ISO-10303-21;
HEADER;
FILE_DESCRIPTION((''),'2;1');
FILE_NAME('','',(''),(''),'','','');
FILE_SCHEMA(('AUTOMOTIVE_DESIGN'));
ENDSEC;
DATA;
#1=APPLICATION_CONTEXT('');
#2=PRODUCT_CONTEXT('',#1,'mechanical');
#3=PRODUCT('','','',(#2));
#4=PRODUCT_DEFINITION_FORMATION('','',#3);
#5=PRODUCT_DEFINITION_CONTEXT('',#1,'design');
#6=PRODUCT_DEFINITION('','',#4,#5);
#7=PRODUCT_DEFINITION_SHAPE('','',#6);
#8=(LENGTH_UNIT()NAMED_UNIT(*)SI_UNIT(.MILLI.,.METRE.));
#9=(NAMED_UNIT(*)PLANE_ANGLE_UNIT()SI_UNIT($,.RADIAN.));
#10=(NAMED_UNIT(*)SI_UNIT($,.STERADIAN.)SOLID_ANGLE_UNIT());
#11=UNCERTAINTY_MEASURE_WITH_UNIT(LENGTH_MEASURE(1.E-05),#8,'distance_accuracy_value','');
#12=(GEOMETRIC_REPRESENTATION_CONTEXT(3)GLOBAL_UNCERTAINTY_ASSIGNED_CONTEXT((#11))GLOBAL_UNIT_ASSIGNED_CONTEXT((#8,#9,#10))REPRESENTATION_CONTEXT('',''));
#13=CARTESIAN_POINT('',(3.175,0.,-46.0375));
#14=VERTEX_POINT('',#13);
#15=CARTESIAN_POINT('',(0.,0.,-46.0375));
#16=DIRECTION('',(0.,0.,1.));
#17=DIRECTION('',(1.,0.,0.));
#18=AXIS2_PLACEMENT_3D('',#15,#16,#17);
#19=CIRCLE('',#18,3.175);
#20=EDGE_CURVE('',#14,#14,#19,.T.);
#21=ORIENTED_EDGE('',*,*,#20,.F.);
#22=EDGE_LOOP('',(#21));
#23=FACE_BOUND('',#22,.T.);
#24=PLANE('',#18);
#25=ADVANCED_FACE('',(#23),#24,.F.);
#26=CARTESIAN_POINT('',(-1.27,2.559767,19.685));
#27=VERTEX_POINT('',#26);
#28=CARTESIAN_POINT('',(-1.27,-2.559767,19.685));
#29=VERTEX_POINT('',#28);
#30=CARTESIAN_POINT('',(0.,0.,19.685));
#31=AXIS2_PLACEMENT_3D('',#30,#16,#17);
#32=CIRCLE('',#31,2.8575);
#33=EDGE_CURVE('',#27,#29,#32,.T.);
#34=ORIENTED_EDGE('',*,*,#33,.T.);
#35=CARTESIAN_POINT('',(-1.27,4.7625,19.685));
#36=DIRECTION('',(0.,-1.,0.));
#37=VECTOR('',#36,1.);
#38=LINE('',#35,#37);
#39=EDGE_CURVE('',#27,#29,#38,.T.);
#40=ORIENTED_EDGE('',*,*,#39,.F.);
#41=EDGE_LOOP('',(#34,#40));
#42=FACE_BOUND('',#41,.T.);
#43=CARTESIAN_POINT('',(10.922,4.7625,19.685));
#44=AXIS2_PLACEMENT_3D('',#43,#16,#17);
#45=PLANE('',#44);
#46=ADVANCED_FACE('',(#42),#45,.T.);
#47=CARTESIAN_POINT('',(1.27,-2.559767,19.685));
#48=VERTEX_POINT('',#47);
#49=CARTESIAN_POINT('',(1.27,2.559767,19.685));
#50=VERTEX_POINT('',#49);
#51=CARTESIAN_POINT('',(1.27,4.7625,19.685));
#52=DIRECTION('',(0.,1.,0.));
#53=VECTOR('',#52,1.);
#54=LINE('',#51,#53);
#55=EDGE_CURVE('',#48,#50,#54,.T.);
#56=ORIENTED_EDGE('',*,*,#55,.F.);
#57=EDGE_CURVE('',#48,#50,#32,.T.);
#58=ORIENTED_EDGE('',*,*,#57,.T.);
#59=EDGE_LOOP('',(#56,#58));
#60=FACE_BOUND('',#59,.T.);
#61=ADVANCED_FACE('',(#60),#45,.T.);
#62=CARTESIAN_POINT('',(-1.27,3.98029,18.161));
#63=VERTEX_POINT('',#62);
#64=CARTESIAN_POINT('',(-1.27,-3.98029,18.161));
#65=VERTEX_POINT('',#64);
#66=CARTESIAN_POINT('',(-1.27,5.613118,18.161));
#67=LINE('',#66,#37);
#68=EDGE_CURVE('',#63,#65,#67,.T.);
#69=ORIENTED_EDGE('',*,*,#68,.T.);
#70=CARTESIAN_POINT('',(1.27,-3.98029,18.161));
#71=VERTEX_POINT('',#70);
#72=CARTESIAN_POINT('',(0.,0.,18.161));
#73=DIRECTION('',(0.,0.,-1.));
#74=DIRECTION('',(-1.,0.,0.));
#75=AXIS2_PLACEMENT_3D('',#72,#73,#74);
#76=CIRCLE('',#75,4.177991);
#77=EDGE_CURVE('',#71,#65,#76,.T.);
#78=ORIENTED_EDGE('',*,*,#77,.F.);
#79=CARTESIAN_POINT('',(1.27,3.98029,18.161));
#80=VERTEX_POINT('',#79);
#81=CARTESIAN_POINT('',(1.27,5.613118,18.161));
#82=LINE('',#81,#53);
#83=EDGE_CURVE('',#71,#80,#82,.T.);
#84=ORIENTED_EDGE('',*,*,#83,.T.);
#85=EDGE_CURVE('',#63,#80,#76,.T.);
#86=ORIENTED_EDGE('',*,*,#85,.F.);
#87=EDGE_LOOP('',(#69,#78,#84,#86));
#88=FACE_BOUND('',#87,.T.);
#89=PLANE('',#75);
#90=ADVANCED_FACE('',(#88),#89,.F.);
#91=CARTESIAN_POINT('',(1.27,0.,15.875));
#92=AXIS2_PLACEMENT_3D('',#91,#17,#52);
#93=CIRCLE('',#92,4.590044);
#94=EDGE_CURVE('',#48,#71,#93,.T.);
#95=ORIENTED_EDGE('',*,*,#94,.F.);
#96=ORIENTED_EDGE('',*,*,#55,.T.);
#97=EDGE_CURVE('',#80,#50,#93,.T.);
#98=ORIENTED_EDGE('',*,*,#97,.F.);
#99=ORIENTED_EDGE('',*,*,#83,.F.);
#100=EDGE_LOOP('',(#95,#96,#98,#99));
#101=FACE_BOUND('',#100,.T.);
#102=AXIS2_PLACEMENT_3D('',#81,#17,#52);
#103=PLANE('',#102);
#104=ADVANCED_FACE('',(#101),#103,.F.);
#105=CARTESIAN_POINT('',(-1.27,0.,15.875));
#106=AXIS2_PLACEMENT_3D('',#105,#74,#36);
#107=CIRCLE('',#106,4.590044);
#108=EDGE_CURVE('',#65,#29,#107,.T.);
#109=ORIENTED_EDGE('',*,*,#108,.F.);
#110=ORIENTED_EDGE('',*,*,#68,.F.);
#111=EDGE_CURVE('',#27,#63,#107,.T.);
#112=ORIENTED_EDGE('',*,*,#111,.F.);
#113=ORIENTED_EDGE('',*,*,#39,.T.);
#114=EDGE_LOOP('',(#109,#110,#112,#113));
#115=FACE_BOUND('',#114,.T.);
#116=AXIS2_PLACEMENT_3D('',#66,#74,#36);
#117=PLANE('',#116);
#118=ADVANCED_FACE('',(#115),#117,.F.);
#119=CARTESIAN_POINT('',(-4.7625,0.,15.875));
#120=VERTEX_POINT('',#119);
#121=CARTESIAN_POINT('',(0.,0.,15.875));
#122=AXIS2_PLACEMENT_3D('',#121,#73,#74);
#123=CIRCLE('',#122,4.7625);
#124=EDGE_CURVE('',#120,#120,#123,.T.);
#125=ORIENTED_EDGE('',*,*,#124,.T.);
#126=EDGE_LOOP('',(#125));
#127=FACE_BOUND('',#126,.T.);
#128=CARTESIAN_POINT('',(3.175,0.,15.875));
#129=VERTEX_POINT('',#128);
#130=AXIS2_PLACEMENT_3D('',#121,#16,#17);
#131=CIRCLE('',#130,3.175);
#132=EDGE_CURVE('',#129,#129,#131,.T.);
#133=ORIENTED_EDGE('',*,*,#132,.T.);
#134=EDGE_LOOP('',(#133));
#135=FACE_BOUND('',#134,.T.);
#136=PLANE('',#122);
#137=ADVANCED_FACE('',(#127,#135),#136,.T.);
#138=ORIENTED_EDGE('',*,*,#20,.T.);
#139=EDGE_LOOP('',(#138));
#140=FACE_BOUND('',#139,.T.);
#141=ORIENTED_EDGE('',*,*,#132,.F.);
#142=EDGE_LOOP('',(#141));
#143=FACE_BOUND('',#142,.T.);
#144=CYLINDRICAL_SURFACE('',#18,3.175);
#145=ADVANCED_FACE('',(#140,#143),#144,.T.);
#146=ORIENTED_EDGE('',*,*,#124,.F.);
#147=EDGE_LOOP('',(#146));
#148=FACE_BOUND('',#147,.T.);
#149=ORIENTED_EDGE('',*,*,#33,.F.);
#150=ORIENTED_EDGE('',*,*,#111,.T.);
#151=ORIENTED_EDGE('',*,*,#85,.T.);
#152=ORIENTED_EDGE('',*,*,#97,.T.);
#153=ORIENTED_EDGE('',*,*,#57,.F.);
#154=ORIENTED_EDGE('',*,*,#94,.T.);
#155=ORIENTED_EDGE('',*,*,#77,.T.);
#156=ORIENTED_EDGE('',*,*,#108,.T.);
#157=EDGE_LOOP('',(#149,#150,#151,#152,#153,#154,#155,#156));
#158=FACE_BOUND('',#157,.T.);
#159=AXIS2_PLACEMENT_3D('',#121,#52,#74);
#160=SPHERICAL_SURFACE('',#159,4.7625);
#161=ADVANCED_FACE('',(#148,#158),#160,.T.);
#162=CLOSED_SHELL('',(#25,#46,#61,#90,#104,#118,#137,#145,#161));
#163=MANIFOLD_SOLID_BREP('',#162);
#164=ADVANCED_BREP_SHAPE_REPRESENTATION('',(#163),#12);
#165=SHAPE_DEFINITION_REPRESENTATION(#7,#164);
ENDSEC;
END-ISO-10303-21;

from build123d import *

# Parameters (mm, degrees)
BOSS_EXTRUDE1_DEPTH      = 15.875
BOSS_EXTRUDE1_DEPTH_BACK = 46.0375
SKETCH1_R                = 3.175
REVOLVE1_ANGLE           = 180
CUT_EXTRUDE1_DEPTH       = 8.382
CUT_EXTRUDE1_DEPTH_BACK  = 9.398
SKETCH3_W                = 2.54
SKETCH3_H                = 12.7
SKETCH4_W                = 2.54
SKETCH4_H                = 12.81199514
CUT_EXTRUDE2_DEPTH       = 1.524


with BuildPart() as part:
    # Sketch1 → Boss-Extrude1 (new, two sides: drawn at the far end of the back side and taken through both)
    with BuildSketch(Plane.XY.offset(-BOSS_EXTRUDE1_DEPTH_BACK)):
        Circle(SKETCH1_R)
    extrude(amount=BOSS_EXTRUDE1_DEPTH + BOSS_EXTRUDE1_DEPTH_BACK)

    # Sketch2 → Revolve1 (revolve)
    with BuildSketch(Plane.XY.offset(15.875)):
        with BuildLine():
            Line((0, -4.7625), (0, 4.7625))
            ThreePointArc((0, 4.7625), (4.7625, 0), (0, -4.7625))
        make_face()
    revolve(axis=Axis((0, -4.7625, 15.875), (0, -1, 0)), revolution_arc=REVOLVE1_ANGLE)

    # Sketch3 → Cut-Extrude1 (cut, two sides: drawn at the far end of the back side and taken through both)
    with BuildSketch(Plane(origin=(2.54, 0, 0), x_dir=(0, 0, -1), z_dir=(1, 0, 0)).offset(-CUT_EXTRUDE1_DEPTH_BACK)):
        with Locations((-20.955, -1.5875)):
            Rectangle(SKETCH3_W, SKETCH3_H)
    extrude(amount=CUT_EXTRUDE1_DEPTH + CUT_EXTRUDE1_DEPTH_BACK, mode=Mode.SUBTRACT)

    # Sketch4 → Cut-Extrude2 (cut)
    with BuildSketch(Plane.XY.offset(19.685)):
        with Locations((0, -0.792879604)):
            Rectangle(SKETCH4_W, SKETCH4_H)
    extrude(amount=-CUT_EXTRUDE2_DEPTH, mode=Mode.SUBTRACT)


solid = part.part
